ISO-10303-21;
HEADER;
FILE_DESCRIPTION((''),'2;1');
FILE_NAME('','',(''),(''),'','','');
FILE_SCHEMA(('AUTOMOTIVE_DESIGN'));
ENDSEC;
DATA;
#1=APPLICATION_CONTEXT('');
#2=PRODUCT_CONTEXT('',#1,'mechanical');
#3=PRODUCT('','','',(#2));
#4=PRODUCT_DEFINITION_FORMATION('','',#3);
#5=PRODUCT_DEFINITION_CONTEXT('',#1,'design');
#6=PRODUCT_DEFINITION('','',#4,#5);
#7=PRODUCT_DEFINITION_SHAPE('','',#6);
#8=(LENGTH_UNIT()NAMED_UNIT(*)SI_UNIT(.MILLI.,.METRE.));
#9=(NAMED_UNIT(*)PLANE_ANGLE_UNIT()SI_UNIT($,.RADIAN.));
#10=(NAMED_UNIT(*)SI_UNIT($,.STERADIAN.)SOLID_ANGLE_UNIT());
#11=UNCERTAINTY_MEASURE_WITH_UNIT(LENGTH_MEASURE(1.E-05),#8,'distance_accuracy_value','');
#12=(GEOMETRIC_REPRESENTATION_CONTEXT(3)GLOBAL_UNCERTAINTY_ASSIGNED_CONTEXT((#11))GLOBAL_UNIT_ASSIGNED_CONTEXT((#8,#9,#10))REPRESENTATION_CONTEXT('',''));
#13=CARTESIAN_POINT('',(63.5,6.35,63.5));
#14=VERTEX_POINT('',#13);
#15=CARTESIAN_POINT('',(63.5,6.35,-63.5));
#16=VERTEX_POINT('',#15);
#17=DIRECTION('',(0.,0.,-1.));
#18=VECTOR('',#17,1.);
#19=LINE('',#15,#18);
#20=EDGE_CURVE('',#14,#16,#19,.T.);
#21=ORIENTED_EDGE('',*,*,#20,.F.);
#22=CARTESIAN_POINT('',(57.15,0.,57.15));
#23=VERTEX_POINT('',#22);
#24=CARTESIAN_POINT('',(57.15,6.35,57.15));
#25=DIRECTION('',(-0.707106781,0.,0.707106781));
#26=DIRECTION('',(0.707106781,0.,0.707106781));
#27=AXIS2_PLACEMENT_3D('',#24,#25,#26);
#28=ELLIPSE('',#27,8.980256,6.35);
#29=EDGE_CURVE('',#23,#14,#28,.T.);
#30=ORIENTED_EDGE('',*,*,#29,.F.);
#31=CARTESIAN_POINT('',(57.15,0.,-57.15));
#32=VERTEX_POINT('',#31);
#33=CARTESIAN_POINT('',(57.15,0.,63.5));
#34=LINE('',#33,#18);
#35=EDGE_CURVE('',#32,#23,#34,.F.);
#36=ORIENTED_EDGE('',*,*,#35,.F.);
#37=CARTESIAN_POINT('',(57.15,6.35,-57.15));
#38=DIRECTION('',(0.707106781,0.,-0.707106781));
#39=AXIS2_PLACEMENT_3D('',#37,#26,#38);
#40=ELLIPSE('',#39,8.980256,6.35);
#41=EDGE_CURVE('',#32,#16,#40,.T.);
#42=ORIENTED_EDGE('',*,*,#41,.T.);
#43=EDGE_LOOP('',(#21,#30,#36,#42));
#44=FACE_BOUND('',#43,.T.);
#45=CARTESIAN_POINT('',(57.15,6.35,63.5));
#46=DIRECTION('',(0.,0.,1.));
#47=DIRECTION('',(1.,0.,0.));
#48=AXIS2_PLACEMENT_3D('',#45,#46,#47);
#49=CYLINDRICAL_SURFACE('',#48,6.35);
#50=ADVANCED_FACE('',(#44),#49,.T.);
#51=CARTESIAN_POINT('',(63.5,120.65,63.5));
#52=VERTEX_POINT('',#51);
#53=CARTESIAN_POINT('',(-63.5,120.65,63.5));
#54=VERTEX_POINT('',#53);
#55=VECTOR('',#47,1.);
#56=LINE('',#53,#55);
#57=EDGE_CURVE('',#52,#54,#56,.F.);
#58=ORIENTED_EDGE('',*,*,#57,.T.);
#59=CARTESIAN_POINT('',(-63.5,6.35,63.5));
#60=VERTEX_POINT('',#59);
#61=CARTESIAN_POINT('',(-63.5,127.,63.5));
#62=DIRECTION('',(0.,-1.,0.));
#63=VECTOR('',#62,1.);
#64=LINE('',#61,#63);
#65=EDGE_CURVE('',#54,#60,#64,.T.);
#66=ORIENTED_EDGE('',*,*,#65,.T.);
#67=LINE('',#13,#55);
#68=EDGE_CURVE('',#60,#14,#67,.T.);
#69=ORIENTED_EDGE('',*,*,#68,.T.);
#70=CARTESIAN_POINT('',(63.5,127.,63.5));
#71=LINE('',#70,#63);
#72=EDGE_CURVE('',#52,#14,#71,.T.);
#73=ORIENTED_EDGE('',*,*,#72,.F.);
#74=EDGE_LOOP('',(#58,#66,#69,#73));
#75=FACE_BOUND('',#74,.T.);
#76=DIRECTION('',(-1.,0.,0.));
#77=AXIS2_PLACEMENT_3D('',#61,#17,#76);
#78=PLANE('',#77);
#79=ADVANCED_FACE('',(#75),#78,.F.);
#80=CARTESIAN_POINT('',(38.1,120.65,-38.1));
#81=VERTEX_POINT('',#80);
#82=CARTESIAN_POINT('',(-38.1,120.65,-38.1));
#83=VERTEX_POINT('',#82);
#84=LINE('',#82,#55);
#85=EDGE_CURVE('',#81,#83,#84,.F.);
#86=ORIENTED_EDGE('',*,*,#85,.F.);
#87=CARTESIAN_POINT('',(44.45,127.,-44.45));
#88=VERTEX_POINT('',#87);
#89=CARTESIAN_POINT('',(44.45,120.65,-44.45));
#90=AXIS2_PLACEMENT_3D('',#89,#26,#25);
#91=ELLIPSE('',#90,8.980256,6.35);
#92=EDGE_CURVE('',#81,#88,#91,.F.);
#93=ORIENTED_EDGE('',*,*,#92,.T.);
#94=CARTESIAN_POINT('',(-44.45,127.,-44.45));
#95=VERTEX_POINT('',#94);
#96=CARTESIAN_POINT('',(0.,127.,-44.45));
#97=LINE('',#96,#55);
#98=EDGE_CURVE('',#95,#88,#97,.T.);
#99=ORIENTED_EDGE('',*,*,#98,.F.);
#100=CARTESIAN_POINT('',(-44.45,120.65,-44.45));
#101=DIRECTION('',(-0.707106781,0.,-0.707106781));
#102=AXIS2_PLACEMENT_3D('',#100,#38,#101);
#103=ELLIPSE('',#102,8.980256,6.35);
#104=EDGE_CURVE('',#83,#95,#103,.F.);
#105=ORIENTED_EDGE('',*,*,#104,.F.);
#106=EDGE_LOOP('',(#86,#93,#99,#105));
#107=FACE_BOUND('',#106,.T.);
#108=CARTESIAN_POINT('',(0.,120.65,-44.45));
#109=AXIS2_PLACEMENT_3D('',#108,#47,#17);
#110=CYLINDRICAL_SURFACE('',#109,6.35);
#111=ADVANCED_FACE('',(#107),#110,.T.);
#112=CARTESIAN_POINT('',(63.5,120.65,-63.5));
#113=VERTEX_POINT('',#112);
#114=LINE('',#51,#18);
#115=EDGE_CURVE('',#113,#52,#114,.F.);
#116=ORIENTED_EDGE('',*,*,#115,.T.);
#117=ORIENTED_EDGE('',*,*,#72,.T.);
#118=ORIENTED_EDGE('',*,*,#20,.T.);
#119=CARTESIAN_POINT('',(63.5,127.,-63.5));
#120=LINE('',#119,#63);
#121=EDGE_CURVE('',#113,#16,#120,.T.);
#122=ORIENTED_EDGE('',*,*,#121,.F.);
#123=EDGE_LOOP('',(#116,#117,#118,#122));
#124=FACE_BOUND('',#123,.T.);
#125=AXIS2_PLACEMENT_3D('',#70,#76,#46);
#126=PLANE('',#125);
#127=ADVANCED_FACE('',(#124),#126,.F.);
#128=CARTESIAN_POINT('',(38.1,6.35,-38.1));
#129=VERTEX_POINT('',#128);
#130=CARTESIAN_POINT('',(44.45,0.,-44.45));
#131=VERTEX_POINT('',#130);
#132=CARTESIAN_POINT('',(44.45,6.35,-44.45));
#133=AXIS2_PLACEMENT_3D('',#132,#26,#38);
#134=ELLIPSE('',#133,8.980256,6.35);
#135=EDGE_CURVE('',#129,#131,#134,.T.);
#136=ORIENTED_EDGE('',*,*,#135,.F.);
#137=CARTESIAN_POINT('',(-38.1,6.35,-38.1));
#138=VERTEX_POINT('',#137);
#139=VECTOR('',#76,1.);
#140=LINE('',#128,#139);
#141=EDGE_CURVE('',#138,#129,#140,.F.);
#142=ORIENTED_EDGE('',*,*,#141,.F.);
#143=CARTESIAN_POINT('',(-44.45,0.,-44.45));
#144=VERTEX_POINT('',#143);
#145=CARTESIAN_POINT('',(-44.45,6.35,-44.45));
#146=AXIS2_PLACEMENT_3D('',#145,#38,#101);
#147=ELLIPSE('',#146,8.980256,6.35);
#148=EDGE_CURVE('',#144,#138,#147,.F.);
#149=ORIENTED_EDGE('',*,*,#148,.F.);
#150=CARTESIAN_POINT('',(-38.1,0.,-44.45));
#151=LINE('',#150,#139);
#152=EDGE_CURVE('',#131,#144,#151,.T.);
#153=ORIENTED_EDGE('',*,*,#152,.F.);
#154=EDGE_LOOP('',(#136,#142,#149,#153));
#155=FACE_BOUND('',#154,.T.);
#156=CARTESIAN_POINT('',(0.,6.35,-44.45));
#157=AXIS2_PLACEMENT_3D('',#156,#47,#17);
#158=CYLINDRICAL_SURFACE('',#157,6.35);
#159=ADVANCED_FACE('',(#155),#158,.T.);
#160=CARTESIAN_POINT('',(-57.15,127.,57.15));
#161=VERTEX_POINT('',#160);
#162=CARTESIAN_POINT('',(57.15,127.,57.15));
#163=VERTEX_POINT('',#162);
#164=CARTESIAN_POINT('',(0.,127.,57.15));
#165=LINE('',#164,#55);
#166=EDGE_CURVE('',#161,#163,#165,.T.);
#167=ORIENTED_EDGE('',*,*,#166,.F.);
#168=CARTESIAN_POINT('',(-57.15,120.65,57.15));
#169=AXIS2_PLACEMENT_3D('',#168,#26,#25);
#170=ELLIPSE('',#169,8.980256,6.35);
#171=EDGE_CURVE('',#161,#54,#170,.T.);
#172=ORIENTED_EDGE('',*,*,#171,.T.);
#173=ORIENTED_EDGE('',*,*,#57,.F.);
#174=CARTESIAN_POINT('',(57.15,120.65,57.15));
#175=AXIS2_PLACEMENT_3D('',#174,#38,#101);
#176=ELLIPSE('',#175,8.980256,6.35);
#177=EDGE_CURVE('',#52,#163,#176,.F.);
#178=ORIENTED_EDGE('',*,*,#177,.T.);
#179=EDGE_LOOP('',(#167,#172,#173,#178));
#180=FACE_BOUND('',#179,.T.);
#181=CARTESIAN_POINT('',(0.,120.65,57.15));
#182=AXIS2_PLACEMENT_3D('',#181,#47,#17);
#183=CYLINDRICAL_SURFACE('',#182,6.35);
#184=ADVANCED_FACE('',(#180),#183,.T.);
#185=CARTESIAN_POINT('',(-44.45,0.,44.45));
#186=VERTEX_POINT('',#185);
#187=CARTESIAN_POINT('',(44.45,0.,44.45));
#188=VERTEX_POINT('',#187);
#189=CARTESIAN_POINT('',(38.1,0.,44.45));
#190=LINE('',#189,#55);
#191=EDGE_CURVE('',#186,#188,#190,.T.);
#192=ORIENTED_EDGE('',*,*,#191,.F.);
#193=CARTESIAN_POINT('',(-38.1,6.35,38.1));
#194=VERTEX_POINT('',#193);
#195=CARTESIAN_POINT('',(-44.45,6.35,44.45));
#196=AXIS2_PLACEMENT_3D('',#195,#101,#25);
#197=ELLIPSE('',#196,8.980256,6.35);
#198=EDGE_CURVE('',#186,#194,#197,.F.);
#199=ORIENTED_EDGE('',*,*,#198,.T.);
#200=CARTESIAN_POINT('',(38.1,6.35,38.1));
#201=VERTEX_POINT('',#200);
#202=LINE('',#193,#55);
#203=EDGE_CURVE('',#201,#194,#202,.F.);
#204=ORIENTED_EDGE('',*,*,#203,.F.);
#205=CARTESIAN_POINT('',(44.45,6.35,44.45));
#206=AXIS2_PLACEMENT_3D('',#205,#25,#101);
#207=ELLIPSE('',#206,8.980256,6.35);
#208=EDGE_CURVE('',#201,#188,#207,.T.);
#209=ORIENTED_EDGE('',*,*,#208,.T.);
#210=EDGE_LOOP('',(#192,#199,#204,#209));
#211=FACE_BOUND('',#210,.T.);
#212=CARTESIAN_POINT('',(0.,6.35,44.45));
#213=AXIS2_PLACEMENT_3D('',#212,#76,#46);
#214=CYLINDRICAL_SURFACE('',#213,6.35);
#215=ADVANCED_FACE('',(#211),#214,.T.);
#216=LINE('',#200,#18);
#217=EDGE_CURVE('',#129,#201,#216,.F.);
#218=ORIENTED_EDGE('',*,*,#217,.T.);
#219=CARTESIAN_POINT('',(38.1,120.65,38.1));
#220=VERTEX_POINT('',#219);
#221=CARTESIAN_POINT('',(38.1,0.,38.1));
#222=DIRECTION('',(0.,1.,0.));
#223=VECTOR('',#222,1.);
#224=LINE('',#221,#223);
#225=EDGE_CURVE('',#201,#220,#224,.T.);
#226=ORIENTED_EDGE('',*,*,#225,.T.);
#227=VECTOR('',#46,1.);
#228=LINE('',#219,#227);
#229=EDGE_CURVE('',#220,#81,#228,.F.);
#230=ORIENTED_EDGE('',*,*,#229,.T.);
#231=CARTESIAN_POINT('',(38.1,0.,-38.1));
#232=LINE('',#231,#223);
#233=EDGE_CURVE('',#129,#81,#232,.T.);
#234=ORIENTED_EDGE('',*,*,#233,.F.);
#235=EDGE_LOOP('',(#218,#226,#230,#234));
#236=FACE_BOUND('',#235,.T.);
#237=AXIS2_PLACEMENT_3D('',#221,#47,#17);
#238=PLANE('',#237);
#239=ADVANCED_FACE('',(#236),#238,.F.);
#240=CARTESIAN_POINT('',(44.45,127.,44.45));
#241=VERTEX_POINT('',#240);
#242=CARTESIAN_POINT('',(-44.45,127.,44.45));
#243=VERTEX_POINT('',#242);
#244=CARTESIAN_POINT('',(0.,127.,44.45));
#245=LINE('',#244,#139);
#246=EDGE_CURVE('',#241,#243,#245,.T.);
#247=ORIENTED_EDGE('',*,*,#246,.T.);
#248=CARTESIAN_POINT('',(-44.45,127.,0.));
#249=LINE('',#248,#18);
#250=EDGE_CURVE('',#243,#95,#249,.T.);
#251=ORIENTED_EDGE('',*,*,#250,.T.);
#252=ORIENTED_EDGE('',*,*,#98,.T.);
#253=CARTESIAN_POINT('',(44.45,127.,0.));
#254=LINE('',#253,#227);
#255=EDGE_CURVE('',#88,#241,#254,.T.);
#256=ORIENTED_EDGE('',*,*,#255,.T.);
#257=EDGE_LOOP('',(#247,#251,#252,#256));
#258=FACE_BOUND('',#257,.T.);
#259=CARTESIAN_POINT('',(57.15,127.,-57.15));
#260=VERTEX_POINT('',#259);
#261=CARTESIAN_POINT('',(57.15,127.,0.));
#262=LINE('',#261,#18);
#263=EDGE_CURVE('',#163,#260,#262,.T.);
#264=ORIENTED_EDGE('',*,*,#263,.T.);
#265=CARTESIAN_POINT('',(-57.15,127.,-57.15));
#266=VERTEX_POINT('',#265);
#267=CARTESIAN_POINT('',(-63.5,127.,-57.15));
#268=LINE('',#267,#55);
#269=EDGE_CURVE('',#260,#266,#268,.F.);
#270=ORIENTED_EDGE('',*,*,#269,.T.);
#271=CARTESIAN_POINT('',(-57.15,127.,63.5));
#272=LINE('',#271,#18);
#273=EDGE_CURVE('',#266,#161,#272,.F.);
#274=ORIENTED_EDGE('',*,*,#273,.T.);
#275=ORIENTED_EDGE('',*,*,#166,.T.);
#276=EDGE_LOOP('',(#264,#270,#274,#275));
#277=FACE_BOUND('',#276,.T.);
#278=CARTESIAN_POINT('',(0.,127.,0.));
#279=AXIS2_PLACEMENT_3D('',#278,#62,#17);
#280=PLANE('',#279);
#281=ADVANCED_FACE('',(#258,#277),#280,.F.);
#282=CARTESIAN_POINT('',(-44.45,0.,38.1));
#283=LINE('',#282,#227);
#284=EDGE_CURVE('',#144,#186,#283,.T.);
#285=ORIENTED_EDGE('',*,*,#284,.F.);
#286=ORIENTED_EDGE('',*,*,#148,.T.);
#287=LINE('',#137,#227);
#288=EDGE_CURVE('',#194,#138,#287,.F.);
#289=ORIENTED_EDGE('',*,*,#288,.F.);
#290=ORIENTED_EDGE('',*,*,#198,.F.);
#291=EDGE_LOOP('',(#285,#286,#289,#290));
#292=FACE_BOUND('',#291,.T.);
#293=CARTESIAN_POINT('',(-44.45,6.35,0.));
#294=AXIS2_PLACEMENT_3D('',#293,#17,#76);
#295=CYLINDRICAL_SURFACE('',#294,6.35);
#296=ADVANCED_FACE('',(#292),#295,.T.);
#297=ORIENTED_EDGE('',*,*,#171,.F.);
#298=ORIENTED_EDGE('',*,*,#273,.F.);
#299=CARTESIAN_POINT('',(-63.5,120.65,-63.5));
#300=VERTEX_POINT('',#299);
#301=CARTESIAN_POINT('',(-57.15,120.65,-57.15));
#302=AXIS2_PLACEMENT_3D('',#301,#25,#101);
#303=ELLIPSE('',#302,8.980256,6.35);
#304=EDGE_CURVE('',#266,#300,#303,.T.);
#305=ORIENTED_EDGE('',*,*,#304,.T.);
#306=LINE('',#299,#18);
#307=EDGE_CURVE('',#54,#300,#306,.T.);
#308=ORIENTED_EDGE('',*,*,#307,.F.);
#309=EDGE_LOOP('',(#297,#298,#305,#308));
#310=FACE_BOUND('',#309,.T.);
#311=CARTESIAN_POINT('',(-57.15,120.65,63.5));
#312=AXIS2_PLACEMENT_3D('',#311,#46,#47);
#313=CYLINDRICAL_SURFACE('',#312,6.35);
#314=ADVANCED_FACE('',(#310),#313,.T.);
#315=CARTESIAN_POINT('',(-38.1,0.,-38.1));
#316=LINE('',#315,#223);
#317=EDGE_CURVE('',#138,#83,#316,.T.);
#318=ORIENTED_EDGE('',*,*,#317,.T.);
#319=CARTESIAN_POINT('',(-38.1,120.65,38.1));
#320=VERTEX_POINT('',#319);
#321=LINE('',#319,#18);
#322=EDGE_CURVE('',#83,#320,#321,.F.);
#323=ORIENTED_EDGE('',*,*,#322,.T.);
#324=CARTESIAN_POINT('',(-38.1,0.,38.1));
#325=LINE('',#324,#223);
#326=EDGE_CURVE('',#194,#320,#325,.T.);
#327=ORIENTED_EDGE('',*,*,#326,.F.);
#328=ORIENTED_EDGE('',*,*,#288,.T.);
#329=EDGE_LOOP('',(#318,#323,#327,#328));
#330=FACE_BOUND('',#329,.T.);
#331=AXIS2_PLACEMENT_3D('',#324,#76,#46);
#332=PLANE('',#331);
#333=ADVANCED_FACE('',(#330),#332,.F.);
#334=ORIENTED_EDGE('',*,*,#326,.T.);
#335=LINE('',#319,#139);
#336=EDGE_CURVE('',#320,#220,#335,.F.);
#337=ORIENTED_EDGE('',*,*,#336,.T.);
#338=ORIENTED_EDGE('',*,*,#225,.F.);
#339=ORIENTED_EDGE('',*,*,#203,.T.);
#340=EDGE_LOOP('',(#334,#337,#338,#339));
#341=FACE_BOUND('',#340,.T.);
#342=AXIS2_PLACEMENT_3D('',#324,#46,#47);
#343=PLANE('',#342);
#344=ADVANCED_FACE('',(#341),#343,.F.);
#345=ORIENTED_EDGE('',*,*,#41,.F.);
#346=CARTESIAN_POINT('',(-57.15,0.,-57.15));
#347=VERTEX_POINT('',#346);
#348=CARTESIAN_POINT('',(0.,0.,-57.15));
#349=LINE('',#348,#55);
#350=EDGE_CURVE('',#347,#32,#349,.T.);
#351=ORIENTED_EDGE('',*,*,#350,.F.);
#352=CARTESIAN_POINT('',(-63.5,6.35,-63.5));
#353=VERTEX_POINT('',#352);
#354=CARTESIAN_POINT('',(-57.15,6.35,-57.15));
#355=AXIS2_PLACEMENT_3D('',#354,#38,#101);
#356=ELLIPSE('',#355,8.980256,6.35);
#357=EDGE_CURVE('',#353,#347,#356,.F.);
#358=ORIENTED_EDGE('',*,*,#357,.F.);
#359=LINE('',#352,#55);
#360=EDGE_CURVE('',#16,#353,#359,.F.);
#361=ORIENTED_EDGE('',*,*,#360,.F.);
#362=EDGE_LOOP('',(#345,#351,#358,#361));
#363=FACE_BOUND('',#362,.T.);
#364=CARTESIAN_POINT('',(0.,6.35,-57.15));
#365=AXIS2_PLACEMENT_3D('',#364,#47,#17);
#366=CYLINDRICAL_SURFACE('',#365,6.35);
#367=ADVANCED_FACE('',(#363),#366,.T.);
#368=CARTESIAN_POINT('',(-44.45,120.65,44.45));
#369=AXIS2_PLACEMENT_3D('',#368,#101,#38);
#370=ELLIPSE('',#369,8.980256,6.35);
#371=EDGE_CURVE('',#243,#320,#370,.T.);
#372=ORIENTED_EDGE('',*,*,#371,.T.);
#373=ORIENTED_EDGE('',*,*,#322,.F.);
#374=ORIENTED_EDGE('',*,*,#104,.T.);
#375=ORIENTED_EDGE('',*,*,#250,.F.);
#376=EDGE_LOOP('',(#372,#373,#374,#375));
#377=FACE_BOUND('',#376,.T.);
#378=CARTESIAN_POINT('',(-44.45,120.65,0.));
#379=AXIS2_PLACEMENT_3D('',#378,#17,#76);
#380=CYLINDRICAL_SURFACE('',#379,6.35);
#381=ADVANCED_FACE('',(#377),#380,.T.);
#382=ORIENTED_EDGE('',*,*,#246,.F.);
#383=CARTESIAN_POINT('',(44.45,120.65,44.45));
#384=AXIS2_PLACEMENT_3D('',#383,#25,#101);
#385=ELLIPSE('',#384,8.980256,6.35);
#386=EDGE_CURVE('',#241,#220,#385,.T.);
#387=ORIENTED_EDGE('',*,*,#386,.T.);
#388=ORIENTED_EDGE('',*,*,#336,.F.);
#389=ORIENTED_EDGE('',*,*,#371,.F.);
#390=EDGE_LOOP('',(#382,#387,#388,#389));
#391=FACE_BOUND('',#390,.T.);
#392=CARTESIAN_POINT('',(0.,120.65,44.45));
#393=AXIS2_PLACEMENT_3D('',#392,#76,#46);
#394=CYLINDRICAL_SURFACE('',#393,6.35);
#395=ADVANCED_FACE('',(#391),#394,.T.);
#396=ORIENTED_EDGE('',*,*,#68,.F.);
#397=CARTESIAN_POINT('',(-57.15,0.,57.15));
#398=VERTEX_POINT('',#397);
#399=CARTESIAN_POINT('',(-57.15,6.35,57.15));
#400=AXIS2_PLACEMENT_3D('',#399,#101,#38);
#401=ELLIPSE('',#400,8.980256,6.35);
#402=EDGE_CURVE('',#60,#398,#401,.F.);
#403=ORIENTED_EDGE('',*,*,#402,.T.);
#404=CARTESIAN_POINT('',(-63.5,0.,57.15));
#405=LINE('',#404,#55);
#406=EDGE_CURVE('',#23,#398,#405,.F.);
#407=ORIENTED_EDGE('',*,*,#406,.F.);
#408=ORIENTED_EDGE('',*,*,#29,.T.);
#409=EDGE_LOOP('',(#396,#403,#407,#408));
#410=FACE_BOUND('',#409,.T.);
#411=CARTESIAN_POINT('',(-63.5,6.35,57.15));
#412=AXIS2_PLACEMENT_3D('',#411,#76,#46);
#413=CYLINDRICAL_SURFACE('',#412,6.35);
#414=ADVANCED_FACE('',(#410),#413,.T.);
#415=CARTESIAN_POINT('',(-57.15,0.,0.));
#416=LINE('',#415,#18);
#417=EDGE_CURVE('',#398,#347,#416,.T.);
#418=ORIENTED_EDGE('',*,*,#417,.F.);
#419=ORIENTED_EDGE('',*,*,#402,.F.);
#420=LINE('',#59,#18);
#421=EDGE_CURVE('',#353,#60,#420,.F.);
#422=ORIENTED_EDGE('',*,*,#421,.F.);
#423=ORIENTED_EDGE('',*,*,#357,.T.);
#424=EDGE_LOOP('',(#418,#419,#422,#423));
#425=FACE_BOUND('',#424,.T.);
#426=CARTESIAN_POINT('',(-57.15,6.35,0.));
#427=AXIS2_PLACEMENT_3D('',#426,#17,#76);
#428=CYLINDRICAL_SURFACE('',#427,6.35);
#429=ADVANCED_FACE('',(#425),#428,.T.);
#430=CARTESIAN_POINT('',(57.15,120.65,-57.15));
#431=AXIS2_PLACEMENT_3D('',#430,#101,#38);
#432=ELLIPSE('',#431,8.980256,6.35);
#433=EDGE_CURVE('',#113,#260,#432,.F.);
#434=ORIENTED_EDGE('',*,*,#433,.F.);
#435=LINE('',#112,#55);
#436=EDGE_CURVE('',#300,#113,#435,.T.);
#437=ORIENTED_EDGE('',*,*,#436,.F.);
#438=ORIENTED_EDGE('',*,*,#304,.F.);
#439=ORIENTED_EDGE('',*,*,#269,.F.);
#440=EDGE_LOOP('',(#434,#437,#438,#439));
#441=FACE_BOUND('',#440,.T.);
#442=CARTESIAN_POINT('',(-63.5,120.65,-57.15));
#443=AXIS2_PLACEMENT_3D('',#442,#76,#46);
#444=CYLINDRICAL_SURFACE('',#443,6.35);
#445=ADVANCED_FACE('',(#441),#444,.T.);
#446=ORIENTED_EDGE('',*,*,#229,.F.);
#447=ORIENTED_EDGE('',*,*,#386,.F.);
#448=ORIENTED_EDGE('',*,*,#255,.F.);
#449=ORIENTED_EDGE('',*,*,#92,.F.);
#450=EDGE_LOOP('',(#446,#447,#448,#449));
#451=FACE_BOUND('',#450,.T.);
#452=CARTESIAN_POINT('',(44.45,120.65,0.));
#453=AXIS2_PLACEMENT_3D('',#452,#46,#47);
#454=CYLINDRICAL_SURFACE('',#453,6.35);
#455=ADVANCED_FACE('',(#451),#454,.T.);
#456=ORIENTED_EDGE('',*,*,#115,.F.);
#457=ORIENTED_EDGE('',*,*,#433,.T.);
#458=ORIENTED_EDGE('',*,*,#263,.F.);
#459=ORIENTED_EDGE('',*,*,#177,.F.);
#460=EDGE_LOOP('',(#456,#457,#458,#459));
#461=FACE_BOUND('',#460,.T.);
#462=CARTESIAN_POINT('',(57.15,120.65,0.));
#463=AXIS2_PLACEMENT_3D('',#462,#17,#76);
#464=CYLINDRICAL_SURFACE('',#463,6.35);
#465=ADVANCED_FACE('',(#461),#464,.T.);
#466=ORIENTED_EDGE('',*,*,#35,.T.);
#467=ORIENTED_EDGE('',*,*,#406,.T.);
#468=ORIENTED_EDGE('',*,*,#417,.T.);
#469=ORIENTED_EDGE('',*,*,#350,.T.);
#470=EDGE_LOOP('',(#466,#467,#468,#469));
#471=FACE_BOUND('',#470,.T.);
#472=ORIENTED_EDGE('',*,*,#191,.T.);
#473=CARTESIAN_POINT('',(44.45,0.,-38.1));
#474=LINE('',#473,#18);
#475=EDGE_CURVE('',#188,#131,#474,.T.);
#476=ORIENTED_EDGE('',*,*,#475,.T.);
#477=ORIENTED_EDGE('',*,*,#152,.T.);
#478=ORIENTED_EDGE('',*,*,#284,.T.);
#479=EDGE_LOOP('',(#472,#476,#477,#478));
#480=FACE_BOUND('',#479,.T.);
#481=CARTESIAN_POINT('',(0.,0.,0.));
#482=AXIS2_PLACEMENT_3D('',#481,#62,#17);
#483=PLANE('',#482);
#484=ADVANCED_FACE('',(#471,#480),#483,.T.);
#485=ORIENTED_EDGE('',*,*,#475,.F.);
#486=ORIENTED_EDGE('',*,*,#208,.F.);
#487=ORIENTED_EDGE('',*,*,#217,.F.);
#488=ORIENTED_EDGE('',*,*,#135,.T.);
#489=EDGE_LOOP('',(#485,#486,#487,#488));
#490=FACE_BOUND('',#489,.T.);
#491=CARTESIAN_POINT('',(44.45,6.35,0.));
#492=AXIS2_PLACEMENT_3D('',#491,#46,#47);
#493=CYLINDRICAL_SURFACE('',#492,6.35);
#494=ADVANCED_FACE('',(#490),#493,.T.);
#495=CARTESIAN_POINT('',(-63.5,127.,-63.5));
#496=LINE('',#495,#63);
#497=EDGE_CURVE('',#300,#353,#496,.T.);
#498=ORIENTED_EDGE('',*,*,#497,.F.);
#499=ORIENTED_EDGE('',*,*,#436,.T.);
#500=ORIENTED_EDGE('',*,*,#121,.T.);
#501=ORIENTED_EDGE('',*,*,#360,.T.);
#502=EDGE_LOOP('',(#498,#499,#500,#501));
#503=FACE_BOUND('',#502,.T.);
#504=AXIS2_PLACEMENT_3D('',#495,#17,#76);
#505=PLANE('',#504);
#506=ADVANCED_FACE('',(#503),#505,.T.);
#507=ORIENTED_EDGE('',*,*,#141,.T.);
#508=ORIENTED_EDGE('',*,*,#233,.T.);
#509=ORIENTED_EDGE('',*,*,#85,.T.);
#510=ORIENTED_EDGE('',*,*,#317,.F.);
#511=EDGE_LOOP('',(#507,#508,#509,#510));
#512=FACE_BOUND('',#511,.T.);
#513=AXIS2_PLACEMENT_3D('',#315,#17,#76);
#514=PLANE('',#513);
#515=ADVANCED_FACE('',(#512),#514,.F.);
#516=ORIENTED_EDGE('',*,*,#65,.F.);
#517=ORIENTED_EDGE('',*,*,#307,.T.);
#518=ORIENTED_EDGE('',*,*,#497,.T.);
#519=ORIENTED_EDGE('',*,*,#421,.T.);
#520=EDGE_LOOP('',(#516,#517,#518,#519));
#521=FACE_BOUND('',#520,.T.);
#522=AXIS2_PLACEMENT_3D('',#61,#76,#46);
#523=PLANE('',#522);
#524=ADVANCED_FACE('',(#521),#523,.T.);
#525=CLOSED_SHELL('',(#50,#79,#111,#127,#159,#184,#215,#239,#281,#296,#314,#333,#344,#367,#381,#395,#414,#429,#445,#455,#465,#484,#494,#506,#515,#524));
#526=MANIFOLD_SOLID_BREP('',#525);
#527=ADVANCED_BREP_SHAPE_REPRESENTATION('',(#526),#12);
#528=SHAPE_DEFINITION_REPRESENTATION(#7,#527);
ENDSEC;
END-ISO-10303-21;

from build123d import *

# Parameters (mm, degrees)
SKETCH1_W               = 127
SKETCH1_H               = 127
BOSS_EXTRUDE1_DEPTH     = 127
SKETCH2_W               = 76.2
SKETCH2_H               = 76.2
CUT_EXTRUDE1_DEPTH      = 1
CUT_EXTRUDE1_DEPTH_BACK = 128
FILLET3_R               = 6.35


with BuildPart() as part:
    # Sketch1 → Boss-Extrude1 (new body)
    with BuildSketch(Plane(origin=(0, 0, 0), x_dir=(1, 0, 0), z_dir=(0, 1, 0))):
        Rectangle(SKETCH1_W, SKETCH1_H)
    extrude(amount=BOSS_EXTRUDE1_DEPTH)

    # Sketch2 → Cut-Extrude1 (cut, two sides)
    with BuildSketch(Plane(origin=(0, 127, 0), x_dir=(1, 0, 0), z_dir=(0, 1, 0))) as cut_extrude1_sk:
        Rectangle(SKETCH2_W, SKETCH2_H)
    extrude(amount=CUT_EXTRUDE1_DEPTH, mode=Mode.SUBTRACT)
    extrude(cut_extrude1_sk.sketch, amount=-CUT_EXTRUDE1_DEPTH_BACK, mode=Mode.SUBTRACT)

    # Fillet3
    fillet3_edges = [part.edges().sort_by_distance(p)[0] for p in [
        (63.5, 127, 0),
        (0, 127, 63.5),
        (38.1, 127, 0),
        (38.1, 0, 0),
        (0, 127, 38.1),
        (0, 0, 38.1),
        (-38.1, 127, 0),
        (-38.1, 0, 0),
        (0, 127, -38.1),
        (0, 0, -38.1),
        (-63.5, 127, 0),
        (0, 0, 63.5),
        (63.5, 0, 0),
        (0, 0, -63.5),
        (-63.5, 0, 0),
        (0, 127, -63.5),
    ]]
    fillet(fillet3_edges, radius=FILLET3_R)


solid = part.part
